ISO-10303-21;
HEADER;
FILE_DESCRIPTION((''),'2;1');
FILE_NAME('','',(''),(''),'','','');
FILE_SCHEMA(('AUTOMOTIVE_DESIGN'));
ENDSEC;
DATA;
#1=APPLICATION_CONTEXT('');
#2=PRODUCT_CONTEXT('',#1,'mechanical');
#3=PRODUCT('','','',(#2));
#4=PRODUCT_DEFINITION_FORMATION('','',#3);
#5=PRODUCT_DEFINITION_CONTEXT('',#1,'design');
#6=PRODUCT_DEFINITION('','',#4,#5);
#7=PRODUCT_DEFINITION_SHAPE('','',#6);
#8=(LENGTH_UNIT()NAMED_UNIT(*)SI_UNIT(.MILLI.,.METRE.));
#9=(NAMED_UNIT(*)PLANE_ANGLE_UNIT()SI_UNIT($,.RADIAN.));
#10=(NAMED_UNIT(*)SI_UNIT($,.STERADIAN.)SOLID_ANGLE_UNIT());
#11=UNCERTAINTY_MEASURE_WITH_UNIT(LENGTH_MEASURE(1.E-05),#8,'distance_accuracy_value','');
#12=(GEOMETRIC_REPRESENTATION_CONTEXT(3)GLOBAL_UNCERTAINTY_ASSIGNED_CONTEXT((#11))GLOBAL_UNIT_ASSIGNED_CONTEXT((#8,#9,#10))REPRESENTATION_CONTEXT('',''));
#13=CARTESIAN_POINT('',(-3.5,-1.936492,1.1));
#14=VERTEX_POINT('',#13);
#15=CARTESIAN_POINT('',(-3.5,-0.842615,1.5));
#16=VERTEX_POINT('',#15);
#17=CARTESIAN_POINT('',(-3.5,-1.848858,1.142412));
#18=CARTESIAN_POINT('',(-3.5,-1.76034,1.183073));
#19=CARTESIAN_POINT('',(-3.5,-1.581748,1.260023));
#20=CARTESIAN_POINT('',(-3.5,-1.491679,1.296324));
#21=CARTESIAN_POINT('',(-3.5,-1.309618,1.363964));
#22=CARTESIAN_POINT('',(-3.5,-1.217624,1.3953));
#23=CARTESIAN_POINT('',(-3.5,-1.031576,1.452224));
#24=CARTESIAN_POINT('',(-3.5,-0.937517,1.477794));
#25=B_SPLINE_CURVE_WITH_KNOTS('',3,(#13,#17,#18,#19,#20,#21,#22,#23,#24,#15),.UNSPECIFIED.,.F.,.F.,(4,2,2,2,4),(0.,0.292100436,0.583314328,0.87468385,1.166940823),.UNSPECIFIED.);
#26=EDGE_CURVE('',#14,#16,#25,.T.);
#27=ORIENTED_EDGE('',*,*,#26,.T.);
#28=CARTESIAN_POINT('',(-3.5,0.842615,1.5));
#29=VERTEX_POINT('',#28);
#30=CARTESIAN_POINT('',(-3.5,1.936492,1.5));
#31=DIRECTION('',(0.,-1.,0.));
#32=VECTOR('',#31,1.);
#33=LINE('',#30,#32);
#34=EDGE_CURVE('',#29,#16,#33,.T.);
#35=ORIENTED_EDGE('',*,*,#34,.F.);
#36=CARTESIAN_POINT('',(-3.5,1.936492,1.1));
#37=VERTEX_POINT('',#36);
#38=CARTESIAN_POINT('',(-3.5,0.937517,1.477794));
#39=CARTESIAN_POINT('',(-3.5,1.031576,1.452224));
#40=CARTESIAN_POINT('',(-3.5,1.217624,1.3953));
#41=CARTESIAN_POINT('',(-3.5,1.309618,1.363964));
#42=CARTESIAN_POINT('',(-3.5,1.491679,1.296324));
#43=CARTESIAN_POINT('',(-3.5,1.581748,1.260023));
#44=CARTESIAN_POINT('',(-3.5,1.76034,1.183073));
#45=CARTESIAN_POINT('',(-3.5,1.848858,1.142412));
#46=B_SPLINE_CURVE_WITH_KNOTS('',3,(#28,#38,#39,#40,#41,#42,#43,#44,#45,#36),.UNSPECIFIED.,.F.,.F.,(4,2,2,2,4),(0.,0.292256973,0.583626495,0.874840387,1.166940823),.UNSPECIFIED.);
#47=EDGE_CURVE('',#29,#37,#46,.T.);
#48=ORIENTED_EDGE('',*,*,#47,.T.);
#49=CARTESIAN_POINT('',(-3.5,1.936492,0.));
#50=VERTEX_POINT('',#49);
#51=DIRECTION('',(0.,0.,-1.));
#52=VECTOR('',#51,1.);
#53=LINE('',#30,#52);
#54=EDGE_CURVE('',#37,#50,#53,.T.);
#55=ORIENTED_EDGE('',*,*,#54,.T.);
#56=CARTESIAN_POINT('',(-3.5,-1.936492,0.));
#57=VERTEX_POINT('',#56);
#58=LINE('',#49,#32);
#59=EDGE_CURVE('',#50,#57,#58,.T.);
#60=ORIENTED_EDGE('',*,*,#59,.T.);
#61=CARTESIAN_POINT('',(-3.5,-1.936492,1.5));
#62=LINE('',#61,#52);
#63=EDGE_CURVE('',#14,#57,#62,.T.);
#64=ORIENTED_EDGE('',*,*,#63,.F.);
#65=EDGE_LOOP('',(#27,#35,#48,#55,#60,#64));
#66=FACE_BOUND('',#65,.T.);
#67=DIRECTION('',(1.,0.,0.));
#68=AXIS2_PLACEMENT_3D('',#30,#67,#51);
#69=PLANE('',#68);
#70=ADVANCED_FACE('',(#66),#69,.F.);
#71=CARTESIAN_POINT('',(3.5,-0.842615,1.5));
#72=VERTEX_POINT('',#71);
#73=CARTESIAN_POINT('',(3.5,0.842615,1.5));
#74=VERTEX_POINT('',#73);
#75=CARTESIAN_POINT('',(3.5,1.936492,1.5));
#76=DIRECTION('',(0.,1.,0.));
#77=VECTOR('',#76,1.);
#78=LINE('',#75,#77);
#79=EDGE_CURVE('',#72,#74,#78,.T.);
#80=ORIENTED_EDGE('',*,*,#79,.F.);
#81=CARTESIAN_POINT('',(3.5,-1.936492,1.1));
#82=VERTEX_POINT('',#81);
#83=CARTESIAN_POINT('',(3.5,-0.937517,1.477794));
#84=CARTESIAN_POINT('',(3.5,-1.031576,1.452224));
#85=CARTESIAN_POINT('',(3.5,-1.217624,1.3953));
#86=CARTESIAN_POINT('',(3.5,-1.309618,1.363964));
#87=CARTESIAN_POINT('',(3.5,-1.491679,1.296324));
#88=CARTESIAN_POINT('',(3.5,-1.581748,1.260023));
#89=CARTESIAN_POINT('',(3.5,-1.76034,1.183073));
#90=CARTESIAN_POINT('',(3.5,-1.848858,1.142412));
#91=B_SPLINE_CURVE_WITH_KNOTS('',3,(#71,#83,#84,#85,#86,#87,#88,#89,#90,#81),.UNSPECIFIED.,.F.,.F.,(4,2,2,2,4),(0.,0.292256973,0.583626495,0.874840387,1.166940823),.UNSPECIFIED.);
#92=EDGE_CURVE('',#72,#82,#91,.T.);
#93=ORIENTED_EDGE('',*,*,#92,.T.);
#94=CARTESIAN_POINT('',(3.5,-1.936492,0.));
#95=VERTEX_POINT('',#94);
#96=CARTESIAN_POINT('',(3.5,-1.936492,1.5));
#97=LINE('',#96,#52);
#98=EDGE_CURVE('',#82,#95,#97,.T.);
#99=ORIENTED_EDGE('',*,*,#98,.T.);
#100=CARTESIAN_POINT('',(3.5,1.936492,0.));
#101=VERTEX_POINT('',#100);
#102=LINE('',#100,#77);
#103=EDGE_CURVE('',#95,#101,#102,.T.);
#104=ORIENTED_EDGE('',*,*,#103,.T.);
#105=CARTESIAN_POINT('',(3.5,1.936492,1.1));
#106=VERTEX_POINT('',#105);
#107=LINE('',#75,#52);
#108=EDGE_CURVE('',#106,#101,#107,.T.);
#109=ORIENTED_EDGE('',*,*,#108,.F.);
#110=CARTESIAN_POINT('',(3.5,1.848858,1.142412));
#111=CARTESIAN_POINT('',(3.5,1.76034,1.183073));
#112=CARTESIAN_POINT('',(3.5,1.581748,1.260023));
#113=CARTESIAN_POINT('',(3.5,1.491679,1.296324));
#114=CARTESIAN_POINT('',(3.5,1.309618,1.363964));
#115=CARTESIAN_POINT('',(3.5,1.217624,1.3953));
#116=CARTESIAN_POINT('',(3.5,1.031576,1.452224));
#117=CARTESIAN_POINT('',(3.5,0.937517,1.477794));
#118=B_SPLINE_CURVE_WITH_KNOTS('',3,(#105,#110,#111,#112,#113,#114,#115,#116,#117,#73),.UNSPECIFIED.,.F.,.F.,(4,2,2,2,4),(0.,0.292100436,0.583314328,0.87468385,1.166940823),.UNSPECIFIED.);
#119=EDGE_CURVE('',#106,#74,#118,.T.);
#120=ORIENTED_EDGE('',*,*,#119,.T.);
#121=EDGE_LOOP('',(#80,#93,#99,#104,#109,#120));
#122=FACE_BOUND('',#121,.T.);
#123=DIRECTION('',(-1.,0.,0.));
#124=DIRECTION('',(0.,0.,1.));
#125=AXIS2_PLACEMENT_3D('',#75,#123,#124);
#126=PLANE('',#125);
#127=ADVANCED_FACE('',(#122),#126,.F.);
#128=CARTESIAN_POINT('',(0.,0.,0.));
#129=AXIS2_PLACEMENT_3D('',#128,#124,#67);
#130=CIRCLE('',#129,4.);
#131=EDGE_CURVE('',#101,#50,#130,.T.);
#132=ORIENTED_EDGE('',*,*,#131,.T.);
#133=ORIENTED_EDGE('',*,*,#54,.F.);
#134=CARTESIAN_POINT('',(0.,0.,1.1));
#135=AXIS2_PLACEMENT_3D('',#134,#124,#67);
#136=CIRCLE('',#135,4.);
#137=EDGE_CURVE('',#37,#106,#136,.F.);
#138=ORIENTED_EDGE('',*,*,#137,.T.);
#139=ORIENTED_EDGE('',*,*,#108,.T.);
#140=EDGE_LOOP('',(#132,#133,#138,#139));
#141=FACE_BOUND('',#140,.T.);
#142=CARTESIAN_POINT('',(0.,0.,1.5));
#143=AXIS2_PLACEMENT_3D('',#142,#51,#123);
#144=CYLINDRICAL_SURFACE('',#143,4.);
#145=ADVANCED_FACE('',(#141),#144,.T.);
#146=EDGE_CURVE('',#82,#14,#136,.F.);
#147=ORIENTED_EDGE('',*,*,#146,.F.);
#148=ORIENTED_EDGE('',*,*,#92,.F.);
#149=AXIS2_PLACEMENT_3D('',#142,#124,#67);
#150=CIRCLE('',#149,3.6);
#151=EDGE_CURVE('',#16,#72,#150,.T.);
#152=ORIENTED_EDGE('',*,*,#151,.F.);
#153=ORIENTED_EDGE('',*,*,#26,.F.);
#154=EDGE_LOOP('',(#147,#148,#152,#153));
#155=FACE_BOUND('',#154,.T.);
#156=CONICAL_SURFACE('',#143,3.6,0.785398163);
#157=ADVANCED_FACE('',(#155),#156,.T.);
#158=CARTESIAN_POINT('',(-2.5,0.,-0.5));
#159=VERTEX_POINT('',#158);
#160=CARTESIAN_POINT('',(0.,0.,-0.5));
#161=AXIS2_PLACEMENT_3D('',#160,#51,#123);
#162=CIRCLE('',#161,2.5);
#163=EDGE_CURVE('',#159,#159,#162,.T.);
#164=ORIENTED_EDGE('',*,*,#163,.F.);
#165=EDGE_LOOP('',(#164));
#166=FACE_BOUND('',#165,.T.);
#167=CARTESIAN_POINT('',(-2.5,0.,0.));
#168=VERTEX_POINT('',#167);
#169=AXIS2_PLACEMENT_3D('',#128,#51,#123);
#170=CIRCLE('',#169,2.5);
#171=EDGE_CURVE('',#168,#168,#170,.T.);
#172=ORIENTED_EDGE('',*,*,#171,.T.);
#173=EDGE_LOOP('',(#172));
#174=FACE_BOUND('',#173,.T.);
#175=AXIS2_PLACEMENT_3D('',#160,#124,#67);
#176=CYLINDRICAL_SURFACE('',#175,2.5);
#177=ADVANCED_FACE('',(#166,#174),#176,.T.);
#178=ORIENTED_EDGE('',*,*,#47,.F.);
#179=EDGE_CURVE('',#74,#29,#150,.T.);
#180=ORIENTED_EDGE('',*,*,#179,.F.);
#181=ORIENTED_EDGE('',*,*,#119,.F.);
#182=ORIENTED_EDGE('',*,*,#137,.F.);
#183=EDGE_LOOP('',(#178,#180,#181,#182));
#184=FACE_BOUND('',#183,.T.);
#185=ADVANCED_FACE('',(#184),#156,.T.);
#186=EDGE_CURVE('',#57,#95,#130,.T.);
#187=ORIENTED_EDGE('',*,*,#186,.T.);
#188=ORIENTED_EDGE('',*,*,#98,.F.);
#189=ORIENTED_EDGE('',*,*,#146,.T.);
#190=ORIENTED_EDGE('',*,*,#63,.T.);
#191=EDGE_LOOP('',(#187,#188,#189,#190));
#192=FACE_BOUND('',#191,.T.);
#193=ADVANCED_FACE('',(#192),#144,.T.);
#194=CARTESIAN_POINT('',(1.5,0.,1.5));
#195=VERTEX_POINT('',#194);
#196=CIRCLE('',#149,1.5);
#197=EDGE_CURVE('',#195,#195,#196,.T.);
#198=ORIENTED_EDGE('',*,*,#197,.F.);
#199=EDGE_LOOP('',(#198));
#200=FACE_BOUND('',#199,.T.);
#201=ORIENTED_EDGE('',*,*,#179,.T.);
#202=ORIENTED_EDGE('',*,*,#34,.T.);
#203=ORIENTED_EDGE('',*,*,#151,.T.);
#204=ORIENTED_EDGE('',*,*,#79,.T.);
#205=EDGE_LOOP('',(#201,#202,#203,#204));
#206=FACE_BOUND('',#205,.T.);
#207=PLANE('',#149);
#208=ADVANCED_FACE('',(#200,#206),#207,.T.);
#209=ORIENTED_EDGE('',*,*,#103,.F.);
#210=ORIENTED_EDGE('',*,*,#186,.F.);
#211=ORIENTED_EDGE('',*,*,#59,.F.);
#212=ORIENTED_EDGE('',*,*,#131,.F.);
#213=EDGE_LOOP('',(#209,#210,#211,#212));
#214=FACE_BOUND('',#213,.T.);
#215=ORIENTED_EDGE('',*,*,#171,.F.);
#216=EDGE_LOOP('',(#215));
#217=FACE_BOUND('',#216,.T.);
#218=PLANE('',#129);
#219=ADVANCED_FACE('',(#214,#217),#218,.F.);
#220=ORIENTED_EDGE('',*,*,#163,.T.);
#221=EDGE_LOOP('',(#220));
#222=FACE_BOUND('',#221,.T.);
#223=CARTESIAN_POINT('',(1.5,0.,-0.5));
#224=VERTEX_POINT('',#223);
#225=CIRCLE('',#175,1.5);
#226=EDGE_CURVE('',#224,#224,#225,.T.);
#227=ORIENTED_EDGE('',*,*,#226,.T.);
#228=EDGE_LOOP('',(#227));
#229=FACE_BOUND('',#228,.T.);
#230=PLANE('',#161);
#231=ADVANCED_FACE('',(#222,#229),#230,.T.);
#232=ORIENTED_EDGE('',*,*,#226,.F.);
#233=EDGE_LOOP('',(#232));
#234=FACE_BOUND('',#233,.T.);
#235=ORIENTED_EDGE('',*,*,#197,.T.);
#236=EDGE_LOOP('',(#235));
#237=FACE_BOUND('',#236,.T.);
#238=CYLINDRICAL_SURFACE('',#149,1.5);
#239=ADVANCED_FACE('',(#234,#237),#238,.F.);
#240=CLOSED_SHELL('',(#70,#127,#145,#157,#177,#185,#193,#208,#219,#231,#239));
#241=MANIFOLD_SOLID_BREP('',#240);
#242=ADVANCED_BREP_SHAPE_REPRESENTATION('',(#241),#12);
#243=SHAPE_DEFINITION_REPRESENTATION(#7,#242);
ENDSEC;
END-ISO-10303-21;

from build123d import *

# Parameters (mm, degrees)
BOSS_EXTRUDE1_DEPTH   = 1.5
SKETCH3_R             = 2.5
BOSS_EXTRUDE2_DEPTH   = 0.5
CHAMFER1_SIZE         = 0.4
F_3_0MM_DOWEL_HOLE1_D = 3


with BuildPart() as part:
    # Sketch1 → Boss-Extrude1 (new body)
    with BuildSketch(Plane.XY):
        with BuildLine():
            Line((-3.5, 1.936491673), (-3.5, -1.936491673))
            ThreePointArc((-3.5, -1.936491673), (0, -4), (3.5, -1.936491673))
            Line((3.5, -1.936491673), (3.5, 1.936491673))
            ThreePointArc((3.5, 1.936491673), (0, 4), (-3.5, 1.936491673))
        make_face()
    extrude(amount=BOSS_EXTRUDE1_DEPTH)

    # Sketch3 → Boss-Extrude2 (add)
    with BuildSketch(Plane(origin=(0, 0, 0), x_dir=(-1, 0, 0), z_dir=(0, 0, -1))):
        Circle(SKETCH3_R)
    extrude(amount=BOSS_EXTRUDE2_DEPTH)

    # Chamfer1
    chamfer1_edges = [part.edges().sort_by_distance(p)[0] for p in [
        (0, 4, 1.5),
        (0, -4, 1.5),
    ]]
    chamfer(chamfer1_edges, length=CHAMFER1_SIZE)

    # Ø3.0mm Dowel Hole1 (through all)
    with Locations(Plane.XY.offset(1.5)):
        with Locations((0, 0)):
            Hole(F_3_0MM_DOWEL_HOLE1_D / 2)


solid = part.part
